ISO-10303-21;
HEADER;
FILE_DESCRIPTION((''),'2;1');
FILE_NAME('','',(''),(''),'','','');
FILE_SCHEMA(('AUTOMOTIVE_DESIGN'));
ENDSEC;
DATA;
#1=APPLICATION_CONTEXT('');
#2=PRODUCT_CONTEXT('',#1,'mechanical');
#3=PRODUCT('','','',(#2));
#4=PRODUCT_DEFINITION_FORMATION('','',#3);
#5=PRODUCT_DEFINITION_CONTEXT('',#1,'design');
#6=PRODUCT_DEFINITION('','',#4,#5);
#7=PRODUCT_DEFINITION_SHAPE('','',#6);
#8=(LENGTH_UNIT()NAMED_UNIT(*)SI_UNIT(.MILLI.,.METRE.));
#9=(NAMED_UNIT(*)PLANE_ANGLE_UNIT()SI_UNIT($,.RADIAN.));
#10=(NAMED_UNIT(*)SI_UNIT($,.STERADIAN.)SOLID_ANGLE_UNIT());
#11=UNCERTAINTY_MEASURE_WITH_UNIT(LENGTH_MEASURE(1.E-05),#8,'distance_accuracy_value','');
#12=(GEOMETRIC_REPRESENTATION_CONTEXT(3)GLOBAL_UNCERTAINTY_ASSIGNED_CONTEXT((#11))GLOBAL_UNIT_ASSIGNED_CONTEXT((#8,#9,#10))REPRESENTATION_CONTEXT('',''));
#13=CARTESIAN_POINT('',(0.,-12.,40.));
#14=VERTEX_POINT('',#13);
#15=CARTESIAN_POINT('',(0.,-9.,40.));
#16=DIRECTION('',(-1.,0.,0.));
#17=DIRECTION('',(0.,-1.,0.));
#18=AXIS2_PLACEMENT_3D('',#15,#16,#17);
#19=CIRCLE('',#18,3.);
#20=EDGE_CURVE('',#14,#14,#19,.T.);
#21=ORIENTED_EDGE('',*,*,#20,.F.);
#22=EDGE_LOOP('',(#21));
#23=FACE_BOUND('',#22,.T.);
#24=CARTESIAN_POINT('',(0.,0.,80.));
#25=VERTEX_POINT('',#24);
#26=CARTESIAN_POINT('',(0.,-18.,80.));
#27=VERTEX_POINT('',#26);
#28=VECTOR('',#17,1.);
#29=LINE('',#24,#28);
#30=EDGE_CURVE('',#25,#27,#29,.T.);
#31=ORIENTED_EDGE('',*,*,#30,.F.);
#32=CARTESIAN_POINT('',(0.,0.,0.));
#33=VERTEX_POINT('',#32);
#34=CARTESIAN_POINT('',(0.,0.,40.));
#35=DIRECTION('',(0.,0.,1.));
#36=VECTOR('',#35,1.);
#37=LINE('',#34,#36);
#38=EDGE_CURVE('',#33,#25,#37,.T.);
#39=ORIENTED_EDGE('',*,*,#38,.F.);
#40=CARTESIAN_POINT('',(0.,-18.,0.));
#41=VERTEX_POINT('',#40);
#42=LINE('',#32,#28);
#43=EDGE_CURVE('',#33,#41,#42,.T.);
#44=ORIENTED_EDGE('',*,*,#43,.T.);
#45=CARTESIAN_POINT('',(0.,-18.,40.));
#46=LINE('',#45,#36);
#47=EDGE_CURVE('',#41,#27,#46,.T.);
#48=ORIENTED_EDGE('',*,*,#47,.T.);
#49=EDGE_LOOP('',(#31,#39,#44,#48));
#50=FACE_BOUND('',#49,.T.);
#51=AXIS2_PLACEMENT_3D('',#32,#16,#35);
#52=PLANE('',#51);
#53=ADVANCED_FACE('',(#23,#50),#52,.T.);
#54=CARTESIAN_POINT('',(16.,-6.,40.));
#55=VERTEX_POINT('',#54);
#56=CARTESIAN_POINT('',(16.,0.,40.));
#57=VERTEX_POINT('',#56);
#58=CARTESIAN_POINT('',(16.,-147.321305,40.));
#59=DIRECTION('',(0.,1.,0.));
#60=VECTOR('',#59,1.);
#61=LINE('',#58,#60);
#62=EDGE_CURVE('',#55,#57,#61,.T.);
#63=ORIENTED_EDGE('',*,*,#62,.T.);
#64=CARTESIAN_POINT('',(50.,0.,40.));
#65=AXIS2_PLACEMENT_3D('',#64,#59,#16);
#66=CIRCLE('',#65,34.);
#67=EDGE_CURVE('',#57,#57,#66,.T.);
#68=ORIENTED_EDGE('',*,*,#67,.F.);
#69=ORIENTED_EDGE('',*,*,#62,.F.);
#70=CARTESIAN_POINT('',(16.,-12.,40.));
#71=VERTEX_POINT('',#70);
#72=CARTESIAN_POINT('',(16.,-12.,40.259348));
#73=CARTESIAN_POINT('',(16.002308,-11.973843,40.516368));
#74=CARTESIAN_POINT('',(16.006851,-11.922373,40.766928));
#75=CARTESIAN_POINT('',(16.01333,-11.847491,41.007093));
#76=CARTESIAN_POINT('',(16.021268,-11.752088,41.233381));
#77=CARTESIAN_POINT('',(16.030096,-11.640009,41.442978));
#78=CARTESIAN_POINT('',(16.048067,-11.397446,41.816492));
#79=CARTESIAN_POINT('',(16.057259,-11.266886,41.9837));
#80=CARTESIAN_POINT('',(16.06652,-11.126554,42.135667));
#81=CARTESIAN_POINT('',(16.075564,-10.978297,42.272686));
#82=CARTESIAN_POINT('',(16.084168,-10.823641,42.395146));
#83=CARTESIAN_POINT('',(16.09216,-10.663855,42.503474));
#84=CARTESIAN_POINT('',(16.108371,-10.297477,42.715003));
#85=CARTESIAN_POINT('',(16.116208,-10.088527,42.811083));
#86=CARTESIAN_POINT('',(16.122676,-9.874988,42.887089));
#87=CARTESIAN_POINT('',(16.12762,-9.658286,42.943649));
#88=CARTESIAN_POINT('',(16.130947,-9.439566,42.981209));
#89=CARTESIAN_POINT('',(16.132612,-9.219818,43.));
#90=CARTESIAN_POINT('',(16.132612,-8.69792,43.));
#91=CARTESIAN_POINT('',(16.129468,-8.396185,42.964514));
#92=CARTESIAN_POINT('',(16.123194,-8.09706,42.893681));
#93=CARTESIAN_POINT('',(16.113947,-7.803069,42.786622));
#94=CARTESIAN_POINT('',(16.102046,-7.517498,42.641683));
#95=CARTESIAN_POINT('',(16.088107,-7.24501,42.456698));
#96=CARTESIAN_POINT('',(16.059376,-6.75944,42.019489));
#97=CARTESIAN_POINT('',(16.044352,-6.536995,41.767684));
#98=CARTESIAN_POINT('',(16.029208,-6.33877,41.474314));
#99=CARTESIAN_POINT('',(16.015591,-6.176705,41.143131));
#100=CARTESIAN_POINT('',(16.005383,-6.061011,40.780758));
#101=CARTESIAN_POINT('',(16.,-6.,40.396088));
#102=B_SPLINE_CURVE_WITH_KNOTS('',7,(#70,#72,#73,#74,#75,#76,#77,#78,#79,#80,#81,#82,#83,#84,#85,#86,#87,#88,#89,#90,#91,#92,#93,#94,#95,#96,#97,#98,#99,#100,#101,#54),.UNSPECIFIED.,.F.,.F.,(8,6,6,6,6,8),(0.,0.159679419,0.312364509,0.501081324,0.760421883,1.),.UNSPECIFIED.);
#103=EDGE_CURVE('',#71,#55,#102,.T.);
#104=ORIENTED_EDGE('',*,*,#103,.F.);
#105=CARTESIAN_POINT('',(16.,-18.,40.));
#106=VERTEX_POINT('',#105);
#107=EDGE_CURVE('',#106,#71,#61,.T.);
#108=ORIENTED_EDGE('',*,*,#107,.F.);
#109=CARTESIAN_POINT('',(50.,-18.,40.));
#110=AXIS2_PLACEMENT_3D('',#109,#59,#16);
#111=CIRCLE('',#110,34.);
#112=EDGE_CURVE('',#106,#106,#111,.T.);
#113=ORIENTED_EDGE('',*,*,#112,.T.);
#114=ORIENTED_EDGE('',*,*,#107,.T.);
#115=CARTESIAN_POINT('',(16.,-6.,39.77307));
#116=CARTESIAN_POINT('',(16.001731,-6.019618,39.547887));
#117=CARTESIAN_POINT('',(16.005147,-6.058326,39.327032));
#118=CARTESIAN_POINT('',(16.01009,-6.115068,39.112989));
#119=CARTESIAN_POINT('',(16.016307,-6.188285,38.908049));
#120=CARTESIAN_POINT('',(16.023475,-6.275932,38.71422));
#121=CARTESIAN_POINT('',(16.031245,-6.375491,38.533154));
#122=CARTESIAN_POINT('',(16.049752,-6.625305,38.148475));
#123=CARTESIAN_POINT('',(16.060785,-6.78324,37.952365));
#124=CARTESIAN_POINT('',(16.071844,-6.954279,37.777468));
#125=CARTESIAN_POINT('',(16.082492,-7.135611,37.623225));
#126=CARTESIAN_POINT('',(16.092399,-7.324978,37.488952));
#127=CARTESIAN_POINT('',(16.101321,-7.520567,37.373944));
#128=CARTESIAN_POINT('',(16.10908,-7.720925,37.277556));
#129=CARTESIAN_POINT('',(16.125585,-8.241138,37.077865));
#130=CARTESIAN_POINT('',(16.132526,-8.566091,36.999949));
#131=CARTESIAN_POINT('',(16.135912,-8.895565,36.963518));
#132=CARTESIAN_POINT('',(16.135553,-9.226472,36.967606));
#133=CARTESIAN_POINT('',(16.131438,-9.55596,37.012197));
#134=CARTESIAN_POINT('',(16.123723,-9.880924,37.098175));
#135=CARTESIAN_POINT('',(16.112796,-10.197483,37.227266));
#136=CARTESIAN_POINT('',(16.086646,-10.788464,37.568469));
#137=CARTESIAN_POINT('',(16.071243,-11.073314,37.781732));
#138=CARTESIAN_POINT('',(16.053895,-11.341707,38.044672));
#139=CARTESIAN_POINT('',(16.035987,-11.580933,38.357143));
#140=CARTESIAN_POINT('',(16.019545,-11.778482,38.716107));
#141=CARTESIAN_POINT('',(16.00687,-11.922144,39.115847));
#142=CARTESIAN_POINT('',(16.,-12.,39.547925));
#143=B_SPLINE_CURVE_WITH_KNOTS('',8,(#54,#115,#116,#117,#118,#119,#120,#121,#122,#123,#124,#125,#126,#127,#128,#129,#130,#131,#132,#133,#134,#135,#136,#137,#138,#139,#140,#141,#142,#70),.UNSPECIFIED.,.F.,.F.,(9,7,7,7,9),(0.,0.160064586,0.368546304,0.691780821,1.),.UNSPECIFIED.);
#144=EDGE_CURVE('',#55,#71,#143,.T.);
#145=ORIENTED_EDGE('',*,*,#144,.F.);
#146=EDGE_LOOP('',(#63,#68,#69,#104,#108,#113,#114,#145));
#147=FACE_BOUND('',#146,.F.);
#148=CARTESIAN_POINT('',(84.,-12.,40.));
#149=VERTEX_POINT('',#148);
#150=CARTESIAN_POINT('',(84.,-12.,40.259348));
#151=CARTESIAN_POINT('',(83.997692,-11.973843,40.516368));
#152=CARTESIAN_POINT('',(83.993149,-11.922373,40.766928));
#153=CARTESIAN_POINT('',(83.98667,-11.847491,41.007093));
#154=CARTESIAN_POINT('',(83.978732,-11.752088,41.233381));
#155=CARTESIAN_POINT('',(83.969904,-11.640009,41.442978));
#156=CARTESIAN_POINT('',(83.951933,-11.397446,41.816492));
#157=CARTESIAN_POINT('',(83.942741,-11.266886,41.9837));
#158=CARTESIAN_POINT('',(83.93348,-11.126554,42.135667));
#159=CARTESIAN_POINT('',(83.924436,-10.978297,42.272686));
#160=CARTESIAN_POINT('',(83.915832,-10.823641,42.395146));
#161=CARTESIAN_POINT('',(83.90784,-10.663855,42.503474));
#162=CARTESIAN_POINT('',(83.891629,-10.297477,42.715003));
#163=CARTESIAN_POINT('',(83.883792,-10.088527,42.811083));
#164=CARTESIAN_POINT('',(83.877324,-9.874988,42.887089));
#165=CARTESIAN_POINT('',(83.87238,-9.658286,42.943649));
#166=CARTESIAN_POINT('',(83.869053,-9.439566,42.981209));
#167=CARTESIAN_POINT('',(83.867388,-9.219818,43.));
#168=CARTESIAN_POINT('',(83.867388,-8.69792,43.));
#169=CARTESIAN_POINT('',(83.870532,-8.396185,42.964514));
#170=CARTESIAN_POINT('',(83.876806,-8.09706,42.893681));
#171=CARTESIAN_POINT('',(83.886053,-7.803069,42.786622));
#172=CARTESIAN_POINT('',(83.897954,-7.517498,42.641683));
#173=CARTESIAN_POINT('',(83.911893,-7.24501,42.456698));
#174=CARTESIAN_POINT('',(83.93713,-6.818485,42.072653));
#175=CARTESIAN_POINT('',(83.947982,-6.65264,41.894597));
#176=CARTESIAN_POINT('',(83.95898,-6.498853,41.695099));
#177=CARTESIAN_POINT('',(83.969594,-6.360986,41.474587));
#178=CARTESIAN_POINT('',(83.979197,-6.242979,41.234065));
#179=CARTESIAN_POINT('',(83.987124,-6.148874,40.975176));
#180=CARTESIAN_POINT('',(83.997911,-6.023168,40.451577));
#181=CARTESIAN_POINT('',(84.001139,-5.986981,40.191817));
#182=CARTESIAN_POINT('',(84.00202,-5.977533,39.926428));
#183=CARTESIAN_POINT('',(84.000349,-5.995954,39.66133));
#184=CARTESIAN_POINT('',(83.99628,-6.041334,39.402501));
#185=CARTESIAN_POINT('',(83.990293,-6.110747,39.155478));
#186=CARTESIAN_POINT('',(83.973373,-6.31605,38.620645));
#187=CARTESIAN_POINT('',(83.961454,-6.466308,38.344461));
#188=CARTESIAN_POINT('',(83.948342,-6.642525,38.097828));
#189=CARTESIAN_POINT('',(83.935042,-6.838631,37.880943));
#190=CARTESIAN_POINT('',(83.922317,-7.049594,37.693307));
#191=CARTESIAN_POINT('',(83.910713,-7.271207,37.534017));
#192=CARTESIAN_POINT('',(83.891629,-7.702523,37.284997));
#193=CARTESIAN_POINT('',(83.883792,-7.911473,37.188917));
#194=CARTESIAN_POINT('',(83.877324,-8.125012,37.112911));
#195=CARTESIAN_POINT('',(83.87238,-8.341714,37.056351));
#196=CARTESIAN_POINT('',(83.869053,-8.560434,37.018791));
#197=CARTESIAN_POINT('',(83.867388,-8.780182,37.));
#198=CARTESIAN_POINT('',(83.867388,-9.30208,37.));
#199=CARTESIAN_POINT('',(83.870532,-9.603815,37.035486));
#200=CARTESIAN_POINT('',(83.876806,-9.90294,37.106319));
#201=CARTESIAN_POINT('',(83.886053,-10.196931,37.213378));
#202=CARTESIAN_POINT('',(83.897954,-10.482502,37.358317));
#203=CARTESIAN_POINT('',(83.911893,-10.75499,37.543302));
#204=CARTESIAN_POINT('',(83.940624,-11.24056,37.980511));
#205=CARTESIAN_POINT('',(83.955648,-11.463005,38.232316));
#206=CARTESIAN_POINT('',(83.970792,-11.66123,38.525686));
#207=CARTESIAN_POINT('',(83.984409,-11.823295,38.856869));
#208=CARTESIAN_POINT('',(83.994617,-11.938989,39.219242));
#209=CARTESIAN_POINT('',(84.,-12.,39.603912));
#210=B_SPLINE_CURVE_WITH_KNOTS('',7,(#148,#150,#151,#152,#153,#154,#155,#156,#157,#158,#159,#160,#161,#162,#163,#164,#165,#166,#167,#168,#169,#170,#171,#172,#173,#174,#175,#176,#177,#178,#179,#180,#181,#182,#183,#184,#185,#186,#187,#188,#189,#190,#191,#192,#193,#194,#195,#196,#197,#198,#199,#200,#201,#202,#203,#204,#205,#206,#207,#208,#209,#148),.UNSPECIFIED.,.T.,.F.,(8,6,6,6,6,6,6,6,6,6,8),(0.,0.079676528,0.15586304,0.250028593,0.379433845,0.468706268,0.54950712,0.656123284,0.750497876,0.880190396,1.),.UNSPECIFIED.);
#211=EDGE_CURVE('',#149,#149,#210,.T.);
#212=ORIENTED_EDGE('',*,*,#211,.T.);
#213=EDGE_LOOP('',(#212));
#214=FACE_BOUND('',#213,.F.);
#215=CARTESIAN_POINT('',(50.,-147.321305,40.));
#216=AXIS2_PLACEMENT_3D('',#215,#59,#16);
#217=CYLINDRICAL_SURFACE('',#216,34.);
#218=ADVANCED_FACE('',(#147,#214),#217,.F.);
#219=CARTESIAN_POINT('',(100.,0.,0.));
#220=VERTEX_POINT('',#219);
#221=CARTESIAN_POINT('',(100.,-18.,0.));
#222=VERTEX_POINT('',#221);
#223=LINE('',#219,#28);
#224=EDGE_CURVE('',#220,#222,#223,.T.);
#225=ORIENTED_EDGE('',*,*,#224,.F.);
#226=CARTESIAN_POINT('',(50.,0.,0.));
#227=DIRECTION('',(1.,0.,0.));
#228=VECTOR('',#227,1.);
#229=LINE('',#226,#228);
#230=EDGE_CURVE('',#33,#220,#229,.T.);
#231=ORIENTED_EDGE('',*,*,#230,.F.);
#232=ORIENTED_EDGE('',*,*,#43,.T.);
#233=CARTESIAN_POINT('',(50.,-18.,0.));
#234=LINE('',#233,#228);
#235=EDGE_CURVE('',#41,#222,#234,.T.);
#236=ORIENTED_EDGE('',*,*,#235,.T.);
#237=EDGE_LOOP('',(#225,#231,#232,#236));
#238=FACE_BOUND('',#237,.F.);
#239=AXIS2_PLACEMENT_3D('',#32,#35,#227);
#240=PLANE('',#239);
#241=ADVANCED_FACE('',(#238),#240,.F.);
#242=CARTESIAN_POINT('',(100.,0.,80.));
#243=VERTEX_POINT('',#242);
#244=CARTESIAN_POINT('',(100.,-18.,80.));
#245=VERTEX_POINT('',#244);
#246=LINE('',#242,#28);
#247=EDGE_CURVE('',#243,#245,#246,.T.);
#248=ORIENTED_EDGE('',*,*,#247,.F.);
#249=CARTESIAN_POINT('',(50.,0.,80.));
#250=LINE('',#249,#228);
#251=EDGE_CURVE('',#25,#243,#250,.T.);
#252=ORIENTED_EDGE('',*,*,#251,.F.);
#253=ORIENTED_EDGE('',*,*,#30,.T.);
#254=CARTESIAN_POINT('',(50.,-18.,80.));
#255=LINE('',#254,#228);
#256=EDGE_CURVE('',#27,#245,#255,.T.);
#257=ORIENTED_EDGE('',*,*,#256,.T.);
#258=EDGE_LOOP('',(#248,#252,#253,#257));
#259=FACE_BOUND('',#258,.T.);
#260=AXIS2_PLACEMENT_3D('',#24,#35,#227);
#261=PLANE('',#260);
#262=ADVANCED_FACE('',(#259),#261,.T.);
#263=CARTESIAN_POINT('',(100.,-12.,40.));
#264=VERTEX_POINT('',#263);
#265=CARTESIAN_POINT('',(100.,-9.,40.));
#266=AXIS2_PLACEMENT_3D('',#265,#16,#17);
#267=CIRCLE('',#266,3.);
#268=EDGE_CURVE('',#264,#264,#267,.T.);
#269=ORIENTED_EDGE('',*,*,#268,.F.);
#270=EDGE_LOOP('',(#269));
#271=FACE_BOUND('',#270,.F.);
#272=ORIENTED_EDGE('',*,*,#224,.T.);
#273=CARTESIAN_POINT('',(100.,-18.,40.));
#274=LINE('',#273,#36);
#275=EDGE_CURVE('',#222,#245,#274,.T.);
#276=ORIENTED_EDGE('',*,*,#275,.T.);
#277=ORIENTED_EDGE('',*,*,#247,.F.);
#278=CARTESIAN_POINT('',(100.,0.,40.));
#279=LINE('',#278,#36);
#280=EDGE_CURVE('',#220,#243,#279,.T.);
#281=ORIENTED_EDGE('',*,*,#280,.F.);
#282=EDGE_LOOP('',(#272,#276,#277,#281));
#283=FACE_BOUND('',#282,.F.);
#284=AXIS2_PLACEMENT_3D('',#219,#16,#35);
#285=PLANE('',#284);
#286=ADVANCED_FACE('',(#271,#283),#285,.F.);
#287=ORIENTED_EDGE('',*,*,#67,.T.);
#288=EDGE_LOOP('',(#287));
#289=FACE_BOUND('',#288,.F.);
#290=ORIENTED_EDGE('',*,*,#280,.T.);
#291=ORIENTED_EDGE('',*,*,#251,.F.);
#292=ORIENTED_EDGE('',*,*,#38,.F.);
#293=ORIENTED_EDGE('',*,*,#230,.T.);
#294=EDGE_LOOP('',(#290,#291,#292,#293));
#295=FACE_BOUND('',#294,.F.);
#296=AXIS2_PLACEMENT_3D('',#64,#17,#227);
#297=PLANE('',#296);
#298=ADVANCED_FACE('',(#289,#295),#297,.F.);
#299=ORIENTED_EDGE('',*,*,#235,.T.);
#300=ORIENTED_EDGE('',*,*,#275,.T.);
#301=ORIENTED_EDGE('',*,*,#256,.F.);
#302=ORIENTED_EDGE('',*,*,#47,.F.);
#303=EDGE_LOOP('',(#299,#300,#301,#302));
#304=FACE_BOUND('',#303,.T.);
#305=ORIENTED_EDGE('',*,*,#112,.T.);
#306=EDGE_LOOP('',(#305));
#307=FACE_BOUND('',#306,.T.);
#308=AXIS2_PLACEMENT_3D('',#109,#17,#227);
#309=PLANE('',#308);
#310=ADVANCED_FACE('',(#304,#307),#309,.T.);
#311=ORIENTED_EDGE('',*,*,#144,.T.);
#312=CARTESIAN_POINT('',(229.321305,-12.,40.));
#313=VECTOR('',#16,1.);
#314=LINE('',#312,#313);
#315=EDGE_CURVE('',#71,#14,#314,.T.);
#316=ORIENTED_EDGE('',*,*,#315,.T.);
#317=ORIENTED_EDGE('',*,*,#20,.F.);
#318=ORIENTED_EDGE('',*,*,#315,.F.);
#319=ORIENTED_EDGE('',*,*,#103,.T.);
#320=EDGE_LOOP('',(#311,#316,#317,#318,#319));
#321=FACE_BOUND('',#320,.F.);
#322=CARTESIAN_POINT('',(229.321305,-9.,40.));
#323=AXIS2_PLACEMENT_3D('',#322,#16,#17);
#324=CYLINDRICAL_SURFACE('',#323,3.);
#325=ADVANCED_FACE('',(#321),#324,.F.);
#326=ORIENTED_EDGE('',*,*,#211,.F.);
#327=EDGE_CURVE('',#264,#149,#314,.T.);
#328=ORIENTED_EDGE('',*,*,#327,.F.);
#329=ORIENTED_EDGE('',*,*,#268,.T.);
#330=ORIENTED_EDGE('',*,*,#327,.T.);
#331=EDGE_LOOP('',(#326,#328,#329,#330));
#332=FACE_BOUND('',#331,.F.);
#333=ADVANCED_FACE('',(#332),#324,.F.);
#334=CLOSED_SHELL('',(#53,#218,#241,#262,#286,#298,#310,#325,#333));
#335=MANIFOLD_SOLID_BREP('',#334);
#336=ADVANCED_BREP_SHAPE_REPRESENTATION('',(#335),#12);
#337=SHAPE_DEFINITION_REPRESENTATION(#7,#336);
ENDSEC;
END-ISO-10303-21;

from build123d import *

# Parameters (mm, degrees)
F0_W     = 100
F0_H     = 80
F1_DEPTH = 18
F3_D     = 68
F5_D     = 6


with BuildPart() as f1:
    # F0 (on Front) → F1 (new body)
    with BuildSketch(Plane.XZ):
        with Locations((50, 40)):
            Rectangle(F0_W, F0_H)
    extrude(amount=F1_DEPTH)

    # F3 (through all)
    with Locations(Plane.XZ.offset(18)):
        with Locations((50, 40)):
            Hole(F3_D / 2)

    # F5 (through all)
    with Locations(Plane.YZ.offset(100)):
        with Locations((-9, 40)):
            Hole(F5_D / 2)


solid = f1.part
